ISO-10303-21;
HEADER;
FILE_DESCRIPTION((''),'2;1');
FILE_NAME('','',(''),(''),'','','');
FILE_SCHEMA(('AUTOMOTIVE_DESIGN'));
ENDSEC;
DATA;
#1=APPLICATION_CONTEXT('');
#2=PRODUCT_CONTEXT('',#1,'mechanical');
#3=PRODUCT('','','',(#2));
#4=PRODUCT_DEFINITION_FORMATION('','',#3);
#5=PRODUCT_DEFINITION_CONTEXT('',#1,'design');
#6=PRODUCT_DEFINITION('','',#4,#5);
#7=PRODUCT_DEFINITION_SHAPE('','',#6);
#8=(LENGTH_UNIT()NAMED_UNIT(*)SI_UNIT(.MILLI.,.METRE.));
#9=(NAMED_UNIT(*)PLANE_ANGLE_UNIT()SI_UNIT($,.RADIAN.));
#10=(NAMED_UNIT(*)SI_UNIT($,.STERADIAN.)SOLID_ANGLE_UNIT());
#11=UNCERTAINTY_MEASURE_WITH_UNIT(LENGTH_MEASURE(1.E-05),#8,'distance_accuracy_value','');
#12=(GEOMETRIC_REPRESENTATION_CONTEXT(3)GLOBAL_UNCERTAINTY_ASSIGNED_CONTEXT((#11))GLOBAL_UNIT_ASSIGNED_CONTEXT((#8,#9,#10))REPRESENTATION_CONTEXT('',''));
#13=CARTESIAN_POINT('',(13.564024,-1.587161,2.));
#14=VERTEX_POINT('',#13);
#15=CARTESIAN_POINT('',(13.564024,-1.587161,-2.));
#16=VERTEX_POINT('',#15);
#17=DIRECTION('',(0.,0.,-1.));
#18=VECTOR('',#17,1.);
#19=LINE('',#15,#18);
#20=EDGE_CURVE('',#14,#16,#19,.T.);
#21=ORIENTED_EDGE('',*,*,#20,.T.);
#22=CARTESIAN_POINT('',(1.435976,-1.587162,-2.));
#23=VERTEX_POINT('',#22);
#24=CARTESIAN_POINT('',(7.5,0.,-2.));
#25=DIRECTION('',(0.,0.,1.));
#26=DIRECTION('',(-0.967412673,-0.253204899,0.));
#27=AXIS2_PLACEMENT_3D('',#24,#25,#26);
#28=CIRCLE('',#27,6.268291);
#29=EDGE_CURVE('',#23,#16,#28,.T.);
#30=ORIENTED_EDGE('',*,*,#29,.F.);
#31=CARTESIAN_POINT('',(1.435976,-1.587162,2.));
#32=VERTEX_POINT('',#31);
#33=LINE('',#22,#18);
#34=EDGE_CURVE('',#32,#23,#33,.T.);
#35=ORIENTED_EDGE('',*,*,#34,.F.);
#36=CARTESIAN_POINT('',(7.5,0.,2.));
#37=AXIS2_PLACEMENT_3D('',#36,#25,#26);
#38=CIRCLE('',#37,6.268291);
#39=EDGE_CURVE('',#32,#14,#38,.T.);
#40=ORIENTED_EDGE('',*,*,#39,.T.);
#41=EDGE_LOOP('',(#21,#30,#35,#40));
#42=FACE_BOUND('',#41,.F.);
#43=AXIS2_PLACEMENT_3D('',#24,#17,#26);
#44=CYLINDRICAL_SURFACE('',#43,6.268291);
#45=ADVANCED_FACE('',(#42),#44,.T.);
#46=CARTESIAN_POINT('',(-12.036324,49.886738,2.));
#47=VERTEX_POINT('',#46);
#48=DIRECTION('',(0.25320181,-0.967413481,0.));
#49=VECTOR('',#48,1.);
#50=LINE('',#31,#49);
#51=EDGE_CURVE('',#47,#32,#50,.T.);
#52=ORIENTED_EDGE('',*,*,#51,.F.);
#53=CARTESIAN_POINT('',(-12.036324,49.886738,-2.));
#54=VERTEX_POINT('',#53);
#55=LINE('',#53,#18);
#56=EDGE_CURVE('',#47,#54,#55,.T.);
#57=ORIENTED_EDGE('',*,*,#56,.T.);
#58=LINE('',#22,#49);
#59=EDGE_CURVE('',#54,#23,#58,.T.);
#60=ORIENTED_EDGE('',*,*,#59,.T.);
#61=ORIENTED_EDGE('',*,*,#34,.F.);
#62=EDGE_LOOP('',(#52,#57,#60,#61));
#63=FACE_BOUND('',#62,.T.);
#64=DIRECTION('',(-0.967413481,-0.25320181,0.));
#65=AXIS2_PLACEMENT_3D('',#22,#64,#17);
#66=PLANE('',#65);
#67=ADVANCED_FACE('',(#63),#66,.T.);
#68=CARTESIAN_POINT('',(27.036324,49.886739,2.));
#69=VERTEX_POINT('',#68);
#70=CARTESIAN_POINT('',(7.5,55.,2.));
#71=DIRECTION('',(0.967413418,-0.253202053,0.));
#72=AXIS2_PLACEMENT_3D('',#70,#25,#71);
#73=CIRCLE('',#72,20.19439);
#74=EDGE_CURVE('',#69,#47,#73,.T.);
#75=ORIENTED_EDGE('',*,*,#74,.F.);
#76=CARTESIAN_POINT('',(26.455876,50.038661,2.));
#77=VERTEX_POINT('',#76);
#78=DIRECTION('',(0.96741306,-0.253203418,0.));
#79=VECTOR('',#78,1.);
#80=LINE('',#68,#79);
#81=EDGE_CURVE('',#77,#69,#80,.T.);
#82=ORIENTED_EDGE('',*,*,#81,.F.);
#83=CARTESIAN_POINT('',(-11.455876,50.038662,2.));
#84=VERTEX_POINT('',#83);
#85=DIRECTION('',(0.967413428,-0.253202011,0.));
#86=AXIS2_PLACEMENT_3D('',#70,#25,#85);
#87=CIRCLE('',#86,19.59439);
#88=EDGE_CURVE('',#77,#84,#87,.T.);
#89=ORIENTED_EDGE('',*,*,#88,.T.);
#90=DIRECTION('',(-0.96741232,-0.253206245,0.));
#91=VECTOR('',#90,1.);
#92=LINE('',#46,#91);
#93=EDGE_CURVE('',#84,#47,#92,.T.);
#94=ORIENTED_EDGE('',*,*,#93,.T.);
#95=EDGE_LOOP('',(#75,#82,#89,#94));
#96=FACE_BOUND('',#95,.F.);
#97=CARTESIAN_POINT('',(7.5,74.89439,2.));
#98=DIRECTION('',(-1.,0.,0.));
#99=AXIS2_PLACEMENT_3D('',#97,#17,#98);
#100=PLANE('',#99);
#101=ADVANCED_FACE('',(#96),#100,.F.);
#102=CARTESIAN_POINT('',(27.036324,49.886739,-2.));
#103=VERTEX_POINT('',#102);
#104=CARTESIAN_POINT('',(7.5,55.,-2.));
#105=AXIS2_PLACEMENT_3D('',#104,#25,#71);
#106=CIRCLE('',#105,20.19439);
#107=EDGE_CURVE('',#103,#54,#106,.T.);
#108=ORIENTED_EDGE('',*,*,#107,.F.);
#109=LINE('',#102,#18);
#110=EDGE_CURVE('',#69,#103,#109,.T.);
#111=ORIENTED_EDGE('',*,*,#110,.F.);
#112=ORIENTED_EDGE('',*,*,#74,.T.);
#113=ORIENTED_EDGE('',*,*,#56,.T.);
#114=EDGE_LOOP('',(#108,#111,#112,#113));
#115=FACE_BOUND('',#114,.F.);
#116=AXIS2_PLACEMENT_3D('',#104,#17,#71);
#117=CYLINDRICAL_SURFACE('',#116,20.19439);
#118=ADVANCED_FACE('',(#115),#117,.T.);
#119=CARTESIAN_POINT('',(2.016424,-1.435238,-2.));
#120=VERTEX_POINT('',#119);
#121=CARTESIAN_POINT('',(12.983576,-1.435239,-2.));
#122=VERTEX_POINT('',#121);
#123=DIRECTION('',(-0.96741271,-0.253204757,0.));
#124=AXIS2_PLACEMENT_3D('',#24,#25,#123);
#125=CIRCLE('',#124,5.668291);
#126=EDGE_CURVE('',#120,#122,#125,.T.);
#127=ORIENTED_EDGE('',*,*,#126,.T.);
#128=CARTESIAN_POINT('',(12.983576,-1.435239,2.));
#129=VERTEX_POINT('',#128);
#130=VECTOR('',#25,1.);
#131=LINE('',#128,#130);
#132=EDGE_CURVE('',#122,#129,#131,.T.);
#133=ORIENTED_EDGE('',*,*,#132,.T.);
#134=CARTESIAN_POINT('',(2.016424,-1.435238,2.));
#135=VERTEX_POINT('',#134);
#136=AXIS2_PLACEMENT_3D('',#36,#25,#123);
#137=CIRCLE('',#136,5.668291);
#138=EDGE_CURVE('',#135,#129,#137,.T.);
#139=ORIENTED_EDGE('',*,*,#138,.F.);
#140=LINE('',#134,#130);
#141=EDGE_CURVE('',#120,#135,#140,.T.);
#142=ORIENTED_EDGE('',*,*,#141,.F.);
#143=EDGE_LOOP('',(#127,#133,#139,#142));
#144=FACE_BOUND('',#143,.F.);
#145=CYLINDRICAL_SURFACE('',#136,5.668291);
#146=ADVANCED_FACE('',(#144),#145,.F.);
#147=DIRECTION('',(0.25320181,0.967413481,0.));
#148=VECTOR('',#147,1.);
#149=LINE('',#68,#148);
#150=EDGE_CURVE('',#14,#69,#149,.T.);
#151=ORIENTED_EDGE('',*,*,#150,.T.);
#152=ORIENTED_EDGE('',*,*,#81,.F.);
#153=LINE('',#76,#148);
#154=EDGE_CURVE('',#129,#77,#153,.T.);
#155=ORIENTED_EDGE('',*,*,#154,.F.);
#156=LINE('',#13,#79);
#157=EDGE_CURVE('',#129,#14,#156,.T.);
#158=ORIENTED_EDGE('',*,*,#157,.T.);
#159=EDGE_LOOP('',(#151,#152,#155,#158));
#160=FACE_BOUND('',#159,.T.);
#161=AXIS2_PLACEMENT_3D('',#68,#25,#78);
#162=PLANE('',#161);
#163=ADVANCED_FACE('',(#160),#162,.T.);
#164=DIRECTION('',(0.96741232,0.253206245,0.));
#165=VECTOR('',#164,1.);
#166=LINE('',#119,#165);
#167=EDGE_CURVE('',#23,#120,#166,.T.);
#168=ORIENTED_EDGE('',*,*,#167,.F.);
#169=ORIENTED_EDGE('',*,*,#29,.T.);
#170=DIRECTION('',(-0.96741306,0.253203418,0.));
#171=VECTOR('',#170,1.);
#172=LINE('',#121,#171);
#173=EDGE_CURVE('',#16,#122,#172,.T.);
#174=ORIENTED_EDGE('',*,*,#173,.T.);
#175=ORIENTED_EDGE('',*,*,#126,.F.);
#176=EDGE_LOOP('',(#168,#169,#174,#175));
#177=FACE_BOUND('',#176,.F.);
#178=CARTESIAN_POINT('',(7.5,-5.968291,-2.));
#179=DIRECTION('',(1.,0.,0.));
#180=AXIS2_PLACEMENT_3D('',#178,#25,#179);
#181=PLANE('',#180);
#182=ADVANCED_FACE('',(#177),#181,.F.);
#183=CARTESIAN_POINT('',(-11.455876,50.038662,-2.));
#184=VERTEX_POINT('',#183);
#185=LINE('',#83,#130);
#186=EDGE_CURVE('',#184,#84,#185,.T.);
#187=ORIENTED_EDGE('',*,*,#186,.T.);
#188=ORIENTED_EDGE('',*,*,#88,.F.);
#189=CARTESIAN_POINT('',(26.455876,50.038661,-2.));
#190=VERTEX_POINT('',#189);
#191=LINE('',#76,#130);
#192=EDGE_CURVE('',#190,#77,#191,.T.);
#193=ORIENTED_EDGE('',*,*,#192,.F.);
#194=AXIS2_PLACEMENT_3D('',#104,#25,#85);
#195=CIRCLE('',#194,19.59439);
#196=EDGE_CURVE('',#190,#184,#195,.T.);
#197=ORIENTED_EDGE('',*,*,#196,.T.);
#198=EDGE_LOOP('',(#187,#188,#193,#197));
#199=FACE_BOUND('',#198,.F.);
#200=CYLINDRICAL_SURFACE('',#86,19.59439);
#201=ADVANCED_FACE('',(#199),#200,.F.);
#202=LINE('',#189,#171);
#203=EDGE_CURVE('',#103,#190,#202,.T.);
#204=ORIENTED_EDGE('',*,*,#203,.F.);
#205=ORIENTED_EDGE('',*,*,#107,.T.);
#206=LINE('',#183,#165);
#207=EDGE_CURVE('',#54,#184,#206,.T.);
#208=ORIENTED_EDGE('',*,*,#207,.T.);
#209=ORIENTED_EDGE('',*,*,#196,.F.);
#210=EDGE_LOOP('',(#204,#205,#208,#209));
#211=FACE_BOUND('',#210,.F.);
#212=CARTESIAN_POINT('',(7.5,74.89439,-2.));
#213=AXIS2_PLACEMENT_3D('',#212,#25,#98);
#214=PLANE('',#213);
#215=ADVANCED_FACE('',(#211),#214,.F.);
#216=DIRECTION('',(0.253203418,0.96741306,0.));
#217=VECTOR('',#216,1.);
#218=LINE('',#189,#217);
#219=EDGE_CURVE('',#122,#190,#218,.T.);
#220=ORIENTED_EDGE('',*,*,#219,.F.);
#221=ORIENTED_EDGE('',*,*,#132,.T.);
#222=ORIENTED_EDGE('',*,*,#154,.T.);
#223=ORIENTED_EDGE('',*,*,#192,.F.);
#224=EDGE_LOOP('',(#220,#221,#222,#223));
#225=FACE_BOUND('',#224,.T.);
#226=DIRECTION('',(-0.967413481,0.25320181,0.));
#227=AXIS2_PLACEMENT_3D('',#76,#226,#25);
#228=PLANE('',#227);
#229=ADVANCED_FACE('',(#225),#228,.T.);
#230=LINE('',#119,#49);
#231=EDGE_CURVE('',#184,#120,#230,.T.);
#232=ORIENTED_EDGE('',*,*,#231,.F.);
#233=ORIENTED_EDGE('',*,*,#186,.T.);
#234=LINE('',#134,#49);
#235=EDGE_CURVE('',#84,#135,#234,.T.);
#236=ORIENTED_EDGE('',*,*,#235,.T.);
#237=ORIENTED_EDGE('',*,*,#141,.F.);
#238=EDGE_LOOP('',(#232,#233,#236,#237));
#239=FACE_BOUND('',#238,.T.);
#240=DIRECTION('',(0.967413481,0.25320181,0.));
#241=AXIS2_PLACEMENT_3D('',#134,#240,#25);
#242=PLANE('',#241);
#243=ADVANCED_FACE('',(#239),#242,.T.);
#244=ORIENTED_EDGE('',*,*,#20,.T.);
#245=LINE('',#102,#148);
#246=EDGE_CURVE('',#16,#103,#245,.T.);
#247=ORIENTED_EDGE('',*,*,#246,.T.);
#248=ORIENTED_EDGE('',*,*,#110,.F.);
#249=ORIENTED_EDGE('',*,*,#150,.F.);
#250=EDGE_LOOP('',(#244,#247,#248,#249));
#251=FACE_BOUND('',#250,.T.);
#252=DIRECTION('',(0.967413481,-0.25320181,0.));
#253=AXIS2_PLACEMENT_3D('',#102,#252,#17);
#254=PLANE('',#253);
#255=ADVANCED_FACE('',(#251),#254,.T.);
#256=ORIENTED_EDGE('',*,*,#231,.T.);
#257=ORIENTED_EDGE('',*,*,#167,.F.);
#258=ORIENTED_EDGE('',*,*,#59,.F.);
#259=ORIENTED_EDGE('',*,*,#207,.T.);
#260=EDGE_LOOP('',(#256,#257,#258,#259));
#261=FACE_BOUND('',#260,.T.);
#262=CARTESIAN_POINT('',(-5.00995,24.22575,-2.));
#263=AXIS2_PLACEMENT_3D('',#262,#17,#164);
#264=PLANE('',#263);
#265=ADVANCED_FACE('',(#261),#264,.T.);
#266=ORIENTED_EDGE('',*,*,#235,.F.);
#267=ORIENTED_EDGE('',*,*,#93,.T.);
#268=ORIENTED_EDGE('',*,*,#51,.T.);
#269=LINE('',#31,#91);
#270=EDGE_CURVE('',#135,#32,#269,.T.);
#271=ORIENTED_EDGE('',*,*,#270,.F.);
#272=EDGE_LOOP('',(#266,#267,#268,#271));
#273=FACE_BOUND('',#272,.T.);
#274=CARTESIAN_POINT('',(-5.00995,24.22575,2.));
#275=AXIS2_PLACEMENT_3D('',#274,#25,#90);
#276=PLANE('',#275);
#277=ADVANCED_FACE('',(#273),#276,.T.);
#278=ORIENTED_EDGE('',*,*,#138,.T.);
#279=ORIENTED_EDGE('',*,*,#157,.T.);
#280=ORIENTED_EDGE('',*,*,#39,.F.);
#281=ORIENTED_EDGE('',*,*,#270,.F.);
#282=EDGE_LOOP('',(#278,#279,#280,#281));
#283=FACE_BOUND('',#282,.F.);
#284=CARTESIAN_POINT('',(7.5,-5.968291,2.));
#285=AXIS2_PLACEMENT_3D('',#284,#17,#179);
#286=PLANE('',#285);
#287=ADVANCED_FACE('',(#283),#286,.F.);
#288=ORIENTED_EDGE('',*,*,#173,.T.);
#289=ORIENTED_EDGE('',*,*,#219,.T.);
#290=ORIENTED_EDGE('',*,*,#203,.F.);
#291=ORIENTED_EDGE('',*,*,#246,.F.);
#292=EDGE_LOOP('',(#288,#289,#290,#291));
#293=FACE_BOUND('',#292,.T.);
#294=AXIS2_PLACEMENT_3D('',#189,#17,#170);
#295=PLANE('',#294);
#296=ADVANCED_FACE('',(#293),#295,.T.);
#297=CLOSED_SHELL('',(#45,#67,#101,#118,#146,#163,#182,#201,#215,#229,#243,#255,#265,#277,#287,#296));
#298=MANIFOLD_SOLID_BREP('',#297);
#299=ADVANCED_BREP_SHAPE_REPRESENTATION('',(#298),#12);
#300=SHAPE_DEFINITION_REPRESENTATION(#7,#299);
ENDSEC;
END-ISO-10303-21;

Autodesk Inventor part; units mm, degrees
sketch "Sketch Path" plane through (0, 0, 0) normal (0, 0, 1) x (1, 0, 0)
  arc A0 (1.7262, -1.5112) -> (13.2738, -1.5112) centre (7.5, 0) ccw
  arc A1 (26.7461, 49.9627) -> (-11.7461, 49.9627) centre (7.5, 55) ccw
  line L0 (26.7461, 49.9627) -> (13.2738, -1.5112)
  line L1 (1.7262, -1.5112) -> (-11.7461, 49.9627)
ref_plane "Cross Section Plane" through (13.2738, -1.5112, 0) normal (0.2532, 0.9674, 0) x (0, 0, 1)
ref_plane "Work Plane2" through (7.5, 0, 0) normal (-1, 0, 0) x (0, 0, 1)
ref_plane "Work Plane3" through (7.5, 55, 0) normal (0.2437, -0.9698, 0) x (0, 0, 1)
sketch "Cross Section" plane through (13.2738, -1.5112, 0) normal (0.2532, 0.9674, 0) x (0, 0, 1)
  line L0 (-2, 0.3) -> (2, 0.3)
  line L1 (2, 0.3) -> (2, -0.3)
  line L2 (2, -0.3) -> (-2, -0.3)
  line L3 (-2, -0.3) -> (-2, 0.3)
  line L4 (-2, 0) -> (2, 0) construction
  point P0 (0, 0)
  point P1 (0, 0)
  dimension "d0" = 4
  dimension "d4" = 0.3
  dimension "d5" = 0.3
sweep "Belt" add profiles "Cross Section" path "Sketch Path"
equation "\"d0\" = da_B"
equation "\"d4\" = da_a"
equation "\"d5\" = da_a2"
equation "\"da_B\" = 4"
equation "\"da_pb\" = 2.5"
equation "\"da_L\" = 194.7953"
equation "\"da_a\" = 0.3"
equation "\"da_S\" = 1.5"
equation "\"da_Beta\" = 20deg"
equation "\"da_Ht\" = 0.7"
equation "\"da_H\" = 1.3"
equation "\"da_a2\" = 0.3"
properties part number "0008-10-1015 Synchronous Belt2" material "Rubber"
